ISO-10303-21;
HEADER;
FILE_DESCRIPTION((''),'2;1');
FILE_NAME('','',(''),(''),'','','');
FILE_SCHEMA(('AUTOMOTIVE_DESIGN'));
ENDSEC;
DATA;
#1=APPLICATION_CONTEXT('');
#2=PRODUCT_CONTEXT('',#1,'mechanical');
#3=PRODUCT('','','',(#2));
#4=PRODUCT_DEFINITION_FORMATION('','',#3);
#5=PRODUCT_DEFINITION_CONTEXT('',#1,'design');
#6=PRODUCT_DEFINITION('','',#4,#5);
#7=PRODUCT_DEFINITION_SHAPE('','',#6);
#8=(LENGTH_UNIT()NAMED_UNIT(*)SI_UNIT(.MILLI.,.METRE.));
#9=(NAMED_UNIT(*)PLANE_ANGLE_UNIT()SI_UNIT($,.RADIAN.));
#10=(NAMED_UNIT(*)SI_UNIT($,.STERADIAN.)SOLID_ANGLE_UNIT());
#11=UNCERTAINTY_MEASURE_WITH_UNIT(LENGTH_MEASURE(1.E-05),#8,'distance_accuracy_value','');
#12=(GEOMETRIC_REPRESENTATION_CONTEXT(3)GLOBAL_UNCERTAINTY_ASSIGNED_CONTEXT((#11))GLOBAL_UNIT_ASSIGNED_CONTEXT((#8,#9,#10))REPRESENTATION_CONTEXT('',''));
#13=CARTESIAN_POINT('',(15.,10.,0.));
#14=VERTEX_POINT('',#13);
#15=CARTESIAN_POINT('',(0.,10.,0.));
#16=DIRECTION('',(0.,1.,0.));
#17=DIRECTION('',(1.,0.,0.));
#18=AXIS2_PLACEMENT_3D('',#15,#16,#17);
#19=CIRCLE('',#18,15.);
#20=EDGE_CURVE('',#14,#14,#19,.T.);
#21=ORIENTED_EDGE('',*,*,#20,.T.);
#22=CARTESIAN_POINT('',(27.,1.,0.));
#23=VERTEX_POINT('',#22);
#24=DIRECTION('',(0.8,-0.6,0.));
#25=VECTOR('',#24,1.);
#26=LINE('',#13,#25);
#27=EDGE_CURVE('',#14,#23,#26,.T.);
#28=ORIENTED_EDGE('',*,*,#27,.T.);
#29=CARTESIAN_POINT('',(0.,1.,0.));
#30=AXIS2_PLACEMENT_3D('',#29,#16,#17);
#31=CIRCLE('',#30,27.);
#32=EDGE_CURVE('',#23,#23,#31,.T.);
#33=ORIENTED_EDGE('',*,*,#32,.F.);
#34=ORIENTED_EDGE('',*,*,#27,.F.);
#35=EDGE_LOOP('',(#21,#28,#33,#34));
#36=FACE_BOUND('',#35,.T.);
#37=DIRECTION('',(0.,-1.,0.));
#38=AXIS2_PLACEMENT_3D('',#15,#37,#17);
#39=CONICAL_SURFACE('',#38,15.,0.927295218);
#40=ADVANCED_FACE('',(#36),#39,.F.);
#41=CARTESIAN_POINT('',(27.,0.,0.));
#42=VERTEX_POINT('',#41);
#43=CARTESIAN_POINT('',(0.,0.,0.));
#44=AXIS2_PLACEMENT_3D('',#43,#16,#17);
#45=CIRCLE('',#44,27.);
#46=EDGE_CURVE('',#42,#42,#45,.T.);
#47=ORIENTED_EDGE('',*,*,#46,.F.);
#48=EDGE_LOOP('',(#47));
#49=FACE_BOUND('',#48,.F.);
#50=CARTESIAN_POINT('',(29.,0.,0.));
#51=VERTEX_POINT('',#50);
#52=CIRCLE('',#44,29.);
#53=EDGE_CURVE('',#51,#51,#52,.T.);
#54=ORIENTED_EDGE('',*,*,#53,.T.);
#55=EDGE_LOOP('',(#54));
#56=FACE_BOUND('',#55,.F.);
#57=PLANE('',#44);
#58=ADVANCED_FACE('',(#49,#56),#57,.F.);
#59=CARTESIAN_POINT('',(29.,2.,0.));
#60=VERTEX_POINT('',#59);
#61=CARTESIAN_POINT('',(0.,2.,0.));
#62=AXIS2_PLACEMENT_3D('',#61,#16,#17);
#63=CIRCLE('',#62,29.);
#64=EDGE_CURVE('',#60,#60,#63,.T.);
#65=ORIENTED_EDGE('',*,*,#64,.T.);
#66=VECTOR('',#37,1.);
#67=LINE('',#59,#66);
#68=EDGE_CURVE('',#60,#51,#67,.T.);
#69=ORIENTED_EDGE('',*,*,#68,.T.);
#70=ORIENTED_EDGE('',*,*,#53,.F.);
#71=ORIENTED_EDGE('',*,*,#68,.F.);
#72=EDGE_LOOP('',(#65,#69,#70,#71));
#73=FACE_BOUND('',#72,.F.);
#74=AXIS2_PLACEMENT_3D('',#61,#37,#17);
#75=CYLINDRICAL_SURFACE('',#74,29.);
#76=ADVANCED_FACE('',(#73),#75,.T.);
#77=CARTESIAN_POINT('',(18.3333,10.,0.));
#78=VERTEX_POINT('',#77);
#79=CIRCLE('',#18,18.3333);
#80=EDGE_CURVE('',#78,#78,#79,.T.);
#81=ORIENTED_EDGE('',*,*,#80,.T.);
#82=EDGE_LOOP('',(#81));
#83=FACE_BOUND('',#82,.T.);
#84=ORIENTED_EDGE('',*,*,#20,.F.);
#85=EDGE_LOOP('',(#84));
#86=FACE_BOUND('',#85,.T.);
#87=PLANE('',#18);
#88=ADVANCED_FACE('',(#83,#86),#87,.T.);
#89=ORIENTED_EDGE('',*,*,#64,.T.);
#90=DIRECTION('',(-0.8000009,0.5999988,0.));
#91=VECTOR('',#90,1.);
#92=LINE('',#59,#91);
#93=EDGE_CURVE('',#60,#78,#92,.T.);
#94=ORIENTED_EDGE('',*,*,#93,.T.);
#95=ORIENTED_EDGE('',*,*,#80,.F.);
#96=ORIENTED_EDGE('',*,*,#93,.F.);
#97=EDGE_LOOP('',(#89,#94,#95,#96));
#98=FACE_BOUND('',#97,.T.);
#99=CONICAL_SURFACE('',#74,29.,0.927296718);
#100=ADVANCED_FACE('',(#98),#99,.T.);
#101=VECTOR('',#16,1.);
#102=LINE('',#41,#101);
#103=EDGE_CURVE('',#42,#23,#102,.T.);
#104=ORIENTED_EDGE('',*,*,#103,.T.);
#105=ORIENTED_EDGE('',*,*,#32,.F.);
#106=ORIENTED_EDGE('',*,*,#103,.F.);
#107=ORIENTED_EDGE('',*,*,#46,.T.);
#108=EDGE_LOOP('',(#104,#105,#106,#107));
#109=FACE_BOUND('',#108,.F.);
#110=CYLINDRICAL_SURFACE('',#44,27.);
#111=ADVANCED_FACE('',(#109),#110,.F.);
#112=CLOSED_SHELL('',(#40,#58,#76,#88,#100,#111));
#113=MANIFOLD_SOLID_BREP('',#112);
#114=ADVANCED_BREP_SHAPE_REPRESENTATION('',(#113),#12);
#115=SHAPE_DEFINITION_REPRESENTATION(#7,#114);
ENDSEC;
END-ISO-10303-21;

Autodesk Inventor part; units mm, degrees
ref_plane "YZ Plane" through (0, 0, 0) normal (1, 0, 0) x (0, 1, 0)
ref_plane "XZ Plane" through (0, 0, 0) normal (0, 1, 0) x (-1, 0, 0)
ref_plane "XY Plane" through (0, 0, 0) normal (0, 0, 1) x (1, 0, 0)
sketch "Sketch1" plane through (0, 0, 0) normal (0, 0, 1) x (1, 0, 0)
  line L0 (29, 2) -> (18.3333, 10)
  line L1 (18.3333, 10) -> (15, 10)
  line L2 (15, 10) -> (27, 1)
  line L3 (29, 2) -> (29, 0)
  line L4 (29, 0) -> (27, 0)
  line L5 (27, 0) -> (27, 1)
  line L6 (0, 0) -> (0, 20.8635) construction
  dimension "d0" = 2
  dimension "d1" = 2
  dimension "d2" = 2
  dimension "d3" = 1
  dimension "d4" = 10
  dimension "d5" = 0
  dimension "d6" = 15
revolve "Revolution1" add sketch "Sketch1" angle 360 about axis through (0, 0, 0) along (0, 1, 0)
properties part number "bottom"
